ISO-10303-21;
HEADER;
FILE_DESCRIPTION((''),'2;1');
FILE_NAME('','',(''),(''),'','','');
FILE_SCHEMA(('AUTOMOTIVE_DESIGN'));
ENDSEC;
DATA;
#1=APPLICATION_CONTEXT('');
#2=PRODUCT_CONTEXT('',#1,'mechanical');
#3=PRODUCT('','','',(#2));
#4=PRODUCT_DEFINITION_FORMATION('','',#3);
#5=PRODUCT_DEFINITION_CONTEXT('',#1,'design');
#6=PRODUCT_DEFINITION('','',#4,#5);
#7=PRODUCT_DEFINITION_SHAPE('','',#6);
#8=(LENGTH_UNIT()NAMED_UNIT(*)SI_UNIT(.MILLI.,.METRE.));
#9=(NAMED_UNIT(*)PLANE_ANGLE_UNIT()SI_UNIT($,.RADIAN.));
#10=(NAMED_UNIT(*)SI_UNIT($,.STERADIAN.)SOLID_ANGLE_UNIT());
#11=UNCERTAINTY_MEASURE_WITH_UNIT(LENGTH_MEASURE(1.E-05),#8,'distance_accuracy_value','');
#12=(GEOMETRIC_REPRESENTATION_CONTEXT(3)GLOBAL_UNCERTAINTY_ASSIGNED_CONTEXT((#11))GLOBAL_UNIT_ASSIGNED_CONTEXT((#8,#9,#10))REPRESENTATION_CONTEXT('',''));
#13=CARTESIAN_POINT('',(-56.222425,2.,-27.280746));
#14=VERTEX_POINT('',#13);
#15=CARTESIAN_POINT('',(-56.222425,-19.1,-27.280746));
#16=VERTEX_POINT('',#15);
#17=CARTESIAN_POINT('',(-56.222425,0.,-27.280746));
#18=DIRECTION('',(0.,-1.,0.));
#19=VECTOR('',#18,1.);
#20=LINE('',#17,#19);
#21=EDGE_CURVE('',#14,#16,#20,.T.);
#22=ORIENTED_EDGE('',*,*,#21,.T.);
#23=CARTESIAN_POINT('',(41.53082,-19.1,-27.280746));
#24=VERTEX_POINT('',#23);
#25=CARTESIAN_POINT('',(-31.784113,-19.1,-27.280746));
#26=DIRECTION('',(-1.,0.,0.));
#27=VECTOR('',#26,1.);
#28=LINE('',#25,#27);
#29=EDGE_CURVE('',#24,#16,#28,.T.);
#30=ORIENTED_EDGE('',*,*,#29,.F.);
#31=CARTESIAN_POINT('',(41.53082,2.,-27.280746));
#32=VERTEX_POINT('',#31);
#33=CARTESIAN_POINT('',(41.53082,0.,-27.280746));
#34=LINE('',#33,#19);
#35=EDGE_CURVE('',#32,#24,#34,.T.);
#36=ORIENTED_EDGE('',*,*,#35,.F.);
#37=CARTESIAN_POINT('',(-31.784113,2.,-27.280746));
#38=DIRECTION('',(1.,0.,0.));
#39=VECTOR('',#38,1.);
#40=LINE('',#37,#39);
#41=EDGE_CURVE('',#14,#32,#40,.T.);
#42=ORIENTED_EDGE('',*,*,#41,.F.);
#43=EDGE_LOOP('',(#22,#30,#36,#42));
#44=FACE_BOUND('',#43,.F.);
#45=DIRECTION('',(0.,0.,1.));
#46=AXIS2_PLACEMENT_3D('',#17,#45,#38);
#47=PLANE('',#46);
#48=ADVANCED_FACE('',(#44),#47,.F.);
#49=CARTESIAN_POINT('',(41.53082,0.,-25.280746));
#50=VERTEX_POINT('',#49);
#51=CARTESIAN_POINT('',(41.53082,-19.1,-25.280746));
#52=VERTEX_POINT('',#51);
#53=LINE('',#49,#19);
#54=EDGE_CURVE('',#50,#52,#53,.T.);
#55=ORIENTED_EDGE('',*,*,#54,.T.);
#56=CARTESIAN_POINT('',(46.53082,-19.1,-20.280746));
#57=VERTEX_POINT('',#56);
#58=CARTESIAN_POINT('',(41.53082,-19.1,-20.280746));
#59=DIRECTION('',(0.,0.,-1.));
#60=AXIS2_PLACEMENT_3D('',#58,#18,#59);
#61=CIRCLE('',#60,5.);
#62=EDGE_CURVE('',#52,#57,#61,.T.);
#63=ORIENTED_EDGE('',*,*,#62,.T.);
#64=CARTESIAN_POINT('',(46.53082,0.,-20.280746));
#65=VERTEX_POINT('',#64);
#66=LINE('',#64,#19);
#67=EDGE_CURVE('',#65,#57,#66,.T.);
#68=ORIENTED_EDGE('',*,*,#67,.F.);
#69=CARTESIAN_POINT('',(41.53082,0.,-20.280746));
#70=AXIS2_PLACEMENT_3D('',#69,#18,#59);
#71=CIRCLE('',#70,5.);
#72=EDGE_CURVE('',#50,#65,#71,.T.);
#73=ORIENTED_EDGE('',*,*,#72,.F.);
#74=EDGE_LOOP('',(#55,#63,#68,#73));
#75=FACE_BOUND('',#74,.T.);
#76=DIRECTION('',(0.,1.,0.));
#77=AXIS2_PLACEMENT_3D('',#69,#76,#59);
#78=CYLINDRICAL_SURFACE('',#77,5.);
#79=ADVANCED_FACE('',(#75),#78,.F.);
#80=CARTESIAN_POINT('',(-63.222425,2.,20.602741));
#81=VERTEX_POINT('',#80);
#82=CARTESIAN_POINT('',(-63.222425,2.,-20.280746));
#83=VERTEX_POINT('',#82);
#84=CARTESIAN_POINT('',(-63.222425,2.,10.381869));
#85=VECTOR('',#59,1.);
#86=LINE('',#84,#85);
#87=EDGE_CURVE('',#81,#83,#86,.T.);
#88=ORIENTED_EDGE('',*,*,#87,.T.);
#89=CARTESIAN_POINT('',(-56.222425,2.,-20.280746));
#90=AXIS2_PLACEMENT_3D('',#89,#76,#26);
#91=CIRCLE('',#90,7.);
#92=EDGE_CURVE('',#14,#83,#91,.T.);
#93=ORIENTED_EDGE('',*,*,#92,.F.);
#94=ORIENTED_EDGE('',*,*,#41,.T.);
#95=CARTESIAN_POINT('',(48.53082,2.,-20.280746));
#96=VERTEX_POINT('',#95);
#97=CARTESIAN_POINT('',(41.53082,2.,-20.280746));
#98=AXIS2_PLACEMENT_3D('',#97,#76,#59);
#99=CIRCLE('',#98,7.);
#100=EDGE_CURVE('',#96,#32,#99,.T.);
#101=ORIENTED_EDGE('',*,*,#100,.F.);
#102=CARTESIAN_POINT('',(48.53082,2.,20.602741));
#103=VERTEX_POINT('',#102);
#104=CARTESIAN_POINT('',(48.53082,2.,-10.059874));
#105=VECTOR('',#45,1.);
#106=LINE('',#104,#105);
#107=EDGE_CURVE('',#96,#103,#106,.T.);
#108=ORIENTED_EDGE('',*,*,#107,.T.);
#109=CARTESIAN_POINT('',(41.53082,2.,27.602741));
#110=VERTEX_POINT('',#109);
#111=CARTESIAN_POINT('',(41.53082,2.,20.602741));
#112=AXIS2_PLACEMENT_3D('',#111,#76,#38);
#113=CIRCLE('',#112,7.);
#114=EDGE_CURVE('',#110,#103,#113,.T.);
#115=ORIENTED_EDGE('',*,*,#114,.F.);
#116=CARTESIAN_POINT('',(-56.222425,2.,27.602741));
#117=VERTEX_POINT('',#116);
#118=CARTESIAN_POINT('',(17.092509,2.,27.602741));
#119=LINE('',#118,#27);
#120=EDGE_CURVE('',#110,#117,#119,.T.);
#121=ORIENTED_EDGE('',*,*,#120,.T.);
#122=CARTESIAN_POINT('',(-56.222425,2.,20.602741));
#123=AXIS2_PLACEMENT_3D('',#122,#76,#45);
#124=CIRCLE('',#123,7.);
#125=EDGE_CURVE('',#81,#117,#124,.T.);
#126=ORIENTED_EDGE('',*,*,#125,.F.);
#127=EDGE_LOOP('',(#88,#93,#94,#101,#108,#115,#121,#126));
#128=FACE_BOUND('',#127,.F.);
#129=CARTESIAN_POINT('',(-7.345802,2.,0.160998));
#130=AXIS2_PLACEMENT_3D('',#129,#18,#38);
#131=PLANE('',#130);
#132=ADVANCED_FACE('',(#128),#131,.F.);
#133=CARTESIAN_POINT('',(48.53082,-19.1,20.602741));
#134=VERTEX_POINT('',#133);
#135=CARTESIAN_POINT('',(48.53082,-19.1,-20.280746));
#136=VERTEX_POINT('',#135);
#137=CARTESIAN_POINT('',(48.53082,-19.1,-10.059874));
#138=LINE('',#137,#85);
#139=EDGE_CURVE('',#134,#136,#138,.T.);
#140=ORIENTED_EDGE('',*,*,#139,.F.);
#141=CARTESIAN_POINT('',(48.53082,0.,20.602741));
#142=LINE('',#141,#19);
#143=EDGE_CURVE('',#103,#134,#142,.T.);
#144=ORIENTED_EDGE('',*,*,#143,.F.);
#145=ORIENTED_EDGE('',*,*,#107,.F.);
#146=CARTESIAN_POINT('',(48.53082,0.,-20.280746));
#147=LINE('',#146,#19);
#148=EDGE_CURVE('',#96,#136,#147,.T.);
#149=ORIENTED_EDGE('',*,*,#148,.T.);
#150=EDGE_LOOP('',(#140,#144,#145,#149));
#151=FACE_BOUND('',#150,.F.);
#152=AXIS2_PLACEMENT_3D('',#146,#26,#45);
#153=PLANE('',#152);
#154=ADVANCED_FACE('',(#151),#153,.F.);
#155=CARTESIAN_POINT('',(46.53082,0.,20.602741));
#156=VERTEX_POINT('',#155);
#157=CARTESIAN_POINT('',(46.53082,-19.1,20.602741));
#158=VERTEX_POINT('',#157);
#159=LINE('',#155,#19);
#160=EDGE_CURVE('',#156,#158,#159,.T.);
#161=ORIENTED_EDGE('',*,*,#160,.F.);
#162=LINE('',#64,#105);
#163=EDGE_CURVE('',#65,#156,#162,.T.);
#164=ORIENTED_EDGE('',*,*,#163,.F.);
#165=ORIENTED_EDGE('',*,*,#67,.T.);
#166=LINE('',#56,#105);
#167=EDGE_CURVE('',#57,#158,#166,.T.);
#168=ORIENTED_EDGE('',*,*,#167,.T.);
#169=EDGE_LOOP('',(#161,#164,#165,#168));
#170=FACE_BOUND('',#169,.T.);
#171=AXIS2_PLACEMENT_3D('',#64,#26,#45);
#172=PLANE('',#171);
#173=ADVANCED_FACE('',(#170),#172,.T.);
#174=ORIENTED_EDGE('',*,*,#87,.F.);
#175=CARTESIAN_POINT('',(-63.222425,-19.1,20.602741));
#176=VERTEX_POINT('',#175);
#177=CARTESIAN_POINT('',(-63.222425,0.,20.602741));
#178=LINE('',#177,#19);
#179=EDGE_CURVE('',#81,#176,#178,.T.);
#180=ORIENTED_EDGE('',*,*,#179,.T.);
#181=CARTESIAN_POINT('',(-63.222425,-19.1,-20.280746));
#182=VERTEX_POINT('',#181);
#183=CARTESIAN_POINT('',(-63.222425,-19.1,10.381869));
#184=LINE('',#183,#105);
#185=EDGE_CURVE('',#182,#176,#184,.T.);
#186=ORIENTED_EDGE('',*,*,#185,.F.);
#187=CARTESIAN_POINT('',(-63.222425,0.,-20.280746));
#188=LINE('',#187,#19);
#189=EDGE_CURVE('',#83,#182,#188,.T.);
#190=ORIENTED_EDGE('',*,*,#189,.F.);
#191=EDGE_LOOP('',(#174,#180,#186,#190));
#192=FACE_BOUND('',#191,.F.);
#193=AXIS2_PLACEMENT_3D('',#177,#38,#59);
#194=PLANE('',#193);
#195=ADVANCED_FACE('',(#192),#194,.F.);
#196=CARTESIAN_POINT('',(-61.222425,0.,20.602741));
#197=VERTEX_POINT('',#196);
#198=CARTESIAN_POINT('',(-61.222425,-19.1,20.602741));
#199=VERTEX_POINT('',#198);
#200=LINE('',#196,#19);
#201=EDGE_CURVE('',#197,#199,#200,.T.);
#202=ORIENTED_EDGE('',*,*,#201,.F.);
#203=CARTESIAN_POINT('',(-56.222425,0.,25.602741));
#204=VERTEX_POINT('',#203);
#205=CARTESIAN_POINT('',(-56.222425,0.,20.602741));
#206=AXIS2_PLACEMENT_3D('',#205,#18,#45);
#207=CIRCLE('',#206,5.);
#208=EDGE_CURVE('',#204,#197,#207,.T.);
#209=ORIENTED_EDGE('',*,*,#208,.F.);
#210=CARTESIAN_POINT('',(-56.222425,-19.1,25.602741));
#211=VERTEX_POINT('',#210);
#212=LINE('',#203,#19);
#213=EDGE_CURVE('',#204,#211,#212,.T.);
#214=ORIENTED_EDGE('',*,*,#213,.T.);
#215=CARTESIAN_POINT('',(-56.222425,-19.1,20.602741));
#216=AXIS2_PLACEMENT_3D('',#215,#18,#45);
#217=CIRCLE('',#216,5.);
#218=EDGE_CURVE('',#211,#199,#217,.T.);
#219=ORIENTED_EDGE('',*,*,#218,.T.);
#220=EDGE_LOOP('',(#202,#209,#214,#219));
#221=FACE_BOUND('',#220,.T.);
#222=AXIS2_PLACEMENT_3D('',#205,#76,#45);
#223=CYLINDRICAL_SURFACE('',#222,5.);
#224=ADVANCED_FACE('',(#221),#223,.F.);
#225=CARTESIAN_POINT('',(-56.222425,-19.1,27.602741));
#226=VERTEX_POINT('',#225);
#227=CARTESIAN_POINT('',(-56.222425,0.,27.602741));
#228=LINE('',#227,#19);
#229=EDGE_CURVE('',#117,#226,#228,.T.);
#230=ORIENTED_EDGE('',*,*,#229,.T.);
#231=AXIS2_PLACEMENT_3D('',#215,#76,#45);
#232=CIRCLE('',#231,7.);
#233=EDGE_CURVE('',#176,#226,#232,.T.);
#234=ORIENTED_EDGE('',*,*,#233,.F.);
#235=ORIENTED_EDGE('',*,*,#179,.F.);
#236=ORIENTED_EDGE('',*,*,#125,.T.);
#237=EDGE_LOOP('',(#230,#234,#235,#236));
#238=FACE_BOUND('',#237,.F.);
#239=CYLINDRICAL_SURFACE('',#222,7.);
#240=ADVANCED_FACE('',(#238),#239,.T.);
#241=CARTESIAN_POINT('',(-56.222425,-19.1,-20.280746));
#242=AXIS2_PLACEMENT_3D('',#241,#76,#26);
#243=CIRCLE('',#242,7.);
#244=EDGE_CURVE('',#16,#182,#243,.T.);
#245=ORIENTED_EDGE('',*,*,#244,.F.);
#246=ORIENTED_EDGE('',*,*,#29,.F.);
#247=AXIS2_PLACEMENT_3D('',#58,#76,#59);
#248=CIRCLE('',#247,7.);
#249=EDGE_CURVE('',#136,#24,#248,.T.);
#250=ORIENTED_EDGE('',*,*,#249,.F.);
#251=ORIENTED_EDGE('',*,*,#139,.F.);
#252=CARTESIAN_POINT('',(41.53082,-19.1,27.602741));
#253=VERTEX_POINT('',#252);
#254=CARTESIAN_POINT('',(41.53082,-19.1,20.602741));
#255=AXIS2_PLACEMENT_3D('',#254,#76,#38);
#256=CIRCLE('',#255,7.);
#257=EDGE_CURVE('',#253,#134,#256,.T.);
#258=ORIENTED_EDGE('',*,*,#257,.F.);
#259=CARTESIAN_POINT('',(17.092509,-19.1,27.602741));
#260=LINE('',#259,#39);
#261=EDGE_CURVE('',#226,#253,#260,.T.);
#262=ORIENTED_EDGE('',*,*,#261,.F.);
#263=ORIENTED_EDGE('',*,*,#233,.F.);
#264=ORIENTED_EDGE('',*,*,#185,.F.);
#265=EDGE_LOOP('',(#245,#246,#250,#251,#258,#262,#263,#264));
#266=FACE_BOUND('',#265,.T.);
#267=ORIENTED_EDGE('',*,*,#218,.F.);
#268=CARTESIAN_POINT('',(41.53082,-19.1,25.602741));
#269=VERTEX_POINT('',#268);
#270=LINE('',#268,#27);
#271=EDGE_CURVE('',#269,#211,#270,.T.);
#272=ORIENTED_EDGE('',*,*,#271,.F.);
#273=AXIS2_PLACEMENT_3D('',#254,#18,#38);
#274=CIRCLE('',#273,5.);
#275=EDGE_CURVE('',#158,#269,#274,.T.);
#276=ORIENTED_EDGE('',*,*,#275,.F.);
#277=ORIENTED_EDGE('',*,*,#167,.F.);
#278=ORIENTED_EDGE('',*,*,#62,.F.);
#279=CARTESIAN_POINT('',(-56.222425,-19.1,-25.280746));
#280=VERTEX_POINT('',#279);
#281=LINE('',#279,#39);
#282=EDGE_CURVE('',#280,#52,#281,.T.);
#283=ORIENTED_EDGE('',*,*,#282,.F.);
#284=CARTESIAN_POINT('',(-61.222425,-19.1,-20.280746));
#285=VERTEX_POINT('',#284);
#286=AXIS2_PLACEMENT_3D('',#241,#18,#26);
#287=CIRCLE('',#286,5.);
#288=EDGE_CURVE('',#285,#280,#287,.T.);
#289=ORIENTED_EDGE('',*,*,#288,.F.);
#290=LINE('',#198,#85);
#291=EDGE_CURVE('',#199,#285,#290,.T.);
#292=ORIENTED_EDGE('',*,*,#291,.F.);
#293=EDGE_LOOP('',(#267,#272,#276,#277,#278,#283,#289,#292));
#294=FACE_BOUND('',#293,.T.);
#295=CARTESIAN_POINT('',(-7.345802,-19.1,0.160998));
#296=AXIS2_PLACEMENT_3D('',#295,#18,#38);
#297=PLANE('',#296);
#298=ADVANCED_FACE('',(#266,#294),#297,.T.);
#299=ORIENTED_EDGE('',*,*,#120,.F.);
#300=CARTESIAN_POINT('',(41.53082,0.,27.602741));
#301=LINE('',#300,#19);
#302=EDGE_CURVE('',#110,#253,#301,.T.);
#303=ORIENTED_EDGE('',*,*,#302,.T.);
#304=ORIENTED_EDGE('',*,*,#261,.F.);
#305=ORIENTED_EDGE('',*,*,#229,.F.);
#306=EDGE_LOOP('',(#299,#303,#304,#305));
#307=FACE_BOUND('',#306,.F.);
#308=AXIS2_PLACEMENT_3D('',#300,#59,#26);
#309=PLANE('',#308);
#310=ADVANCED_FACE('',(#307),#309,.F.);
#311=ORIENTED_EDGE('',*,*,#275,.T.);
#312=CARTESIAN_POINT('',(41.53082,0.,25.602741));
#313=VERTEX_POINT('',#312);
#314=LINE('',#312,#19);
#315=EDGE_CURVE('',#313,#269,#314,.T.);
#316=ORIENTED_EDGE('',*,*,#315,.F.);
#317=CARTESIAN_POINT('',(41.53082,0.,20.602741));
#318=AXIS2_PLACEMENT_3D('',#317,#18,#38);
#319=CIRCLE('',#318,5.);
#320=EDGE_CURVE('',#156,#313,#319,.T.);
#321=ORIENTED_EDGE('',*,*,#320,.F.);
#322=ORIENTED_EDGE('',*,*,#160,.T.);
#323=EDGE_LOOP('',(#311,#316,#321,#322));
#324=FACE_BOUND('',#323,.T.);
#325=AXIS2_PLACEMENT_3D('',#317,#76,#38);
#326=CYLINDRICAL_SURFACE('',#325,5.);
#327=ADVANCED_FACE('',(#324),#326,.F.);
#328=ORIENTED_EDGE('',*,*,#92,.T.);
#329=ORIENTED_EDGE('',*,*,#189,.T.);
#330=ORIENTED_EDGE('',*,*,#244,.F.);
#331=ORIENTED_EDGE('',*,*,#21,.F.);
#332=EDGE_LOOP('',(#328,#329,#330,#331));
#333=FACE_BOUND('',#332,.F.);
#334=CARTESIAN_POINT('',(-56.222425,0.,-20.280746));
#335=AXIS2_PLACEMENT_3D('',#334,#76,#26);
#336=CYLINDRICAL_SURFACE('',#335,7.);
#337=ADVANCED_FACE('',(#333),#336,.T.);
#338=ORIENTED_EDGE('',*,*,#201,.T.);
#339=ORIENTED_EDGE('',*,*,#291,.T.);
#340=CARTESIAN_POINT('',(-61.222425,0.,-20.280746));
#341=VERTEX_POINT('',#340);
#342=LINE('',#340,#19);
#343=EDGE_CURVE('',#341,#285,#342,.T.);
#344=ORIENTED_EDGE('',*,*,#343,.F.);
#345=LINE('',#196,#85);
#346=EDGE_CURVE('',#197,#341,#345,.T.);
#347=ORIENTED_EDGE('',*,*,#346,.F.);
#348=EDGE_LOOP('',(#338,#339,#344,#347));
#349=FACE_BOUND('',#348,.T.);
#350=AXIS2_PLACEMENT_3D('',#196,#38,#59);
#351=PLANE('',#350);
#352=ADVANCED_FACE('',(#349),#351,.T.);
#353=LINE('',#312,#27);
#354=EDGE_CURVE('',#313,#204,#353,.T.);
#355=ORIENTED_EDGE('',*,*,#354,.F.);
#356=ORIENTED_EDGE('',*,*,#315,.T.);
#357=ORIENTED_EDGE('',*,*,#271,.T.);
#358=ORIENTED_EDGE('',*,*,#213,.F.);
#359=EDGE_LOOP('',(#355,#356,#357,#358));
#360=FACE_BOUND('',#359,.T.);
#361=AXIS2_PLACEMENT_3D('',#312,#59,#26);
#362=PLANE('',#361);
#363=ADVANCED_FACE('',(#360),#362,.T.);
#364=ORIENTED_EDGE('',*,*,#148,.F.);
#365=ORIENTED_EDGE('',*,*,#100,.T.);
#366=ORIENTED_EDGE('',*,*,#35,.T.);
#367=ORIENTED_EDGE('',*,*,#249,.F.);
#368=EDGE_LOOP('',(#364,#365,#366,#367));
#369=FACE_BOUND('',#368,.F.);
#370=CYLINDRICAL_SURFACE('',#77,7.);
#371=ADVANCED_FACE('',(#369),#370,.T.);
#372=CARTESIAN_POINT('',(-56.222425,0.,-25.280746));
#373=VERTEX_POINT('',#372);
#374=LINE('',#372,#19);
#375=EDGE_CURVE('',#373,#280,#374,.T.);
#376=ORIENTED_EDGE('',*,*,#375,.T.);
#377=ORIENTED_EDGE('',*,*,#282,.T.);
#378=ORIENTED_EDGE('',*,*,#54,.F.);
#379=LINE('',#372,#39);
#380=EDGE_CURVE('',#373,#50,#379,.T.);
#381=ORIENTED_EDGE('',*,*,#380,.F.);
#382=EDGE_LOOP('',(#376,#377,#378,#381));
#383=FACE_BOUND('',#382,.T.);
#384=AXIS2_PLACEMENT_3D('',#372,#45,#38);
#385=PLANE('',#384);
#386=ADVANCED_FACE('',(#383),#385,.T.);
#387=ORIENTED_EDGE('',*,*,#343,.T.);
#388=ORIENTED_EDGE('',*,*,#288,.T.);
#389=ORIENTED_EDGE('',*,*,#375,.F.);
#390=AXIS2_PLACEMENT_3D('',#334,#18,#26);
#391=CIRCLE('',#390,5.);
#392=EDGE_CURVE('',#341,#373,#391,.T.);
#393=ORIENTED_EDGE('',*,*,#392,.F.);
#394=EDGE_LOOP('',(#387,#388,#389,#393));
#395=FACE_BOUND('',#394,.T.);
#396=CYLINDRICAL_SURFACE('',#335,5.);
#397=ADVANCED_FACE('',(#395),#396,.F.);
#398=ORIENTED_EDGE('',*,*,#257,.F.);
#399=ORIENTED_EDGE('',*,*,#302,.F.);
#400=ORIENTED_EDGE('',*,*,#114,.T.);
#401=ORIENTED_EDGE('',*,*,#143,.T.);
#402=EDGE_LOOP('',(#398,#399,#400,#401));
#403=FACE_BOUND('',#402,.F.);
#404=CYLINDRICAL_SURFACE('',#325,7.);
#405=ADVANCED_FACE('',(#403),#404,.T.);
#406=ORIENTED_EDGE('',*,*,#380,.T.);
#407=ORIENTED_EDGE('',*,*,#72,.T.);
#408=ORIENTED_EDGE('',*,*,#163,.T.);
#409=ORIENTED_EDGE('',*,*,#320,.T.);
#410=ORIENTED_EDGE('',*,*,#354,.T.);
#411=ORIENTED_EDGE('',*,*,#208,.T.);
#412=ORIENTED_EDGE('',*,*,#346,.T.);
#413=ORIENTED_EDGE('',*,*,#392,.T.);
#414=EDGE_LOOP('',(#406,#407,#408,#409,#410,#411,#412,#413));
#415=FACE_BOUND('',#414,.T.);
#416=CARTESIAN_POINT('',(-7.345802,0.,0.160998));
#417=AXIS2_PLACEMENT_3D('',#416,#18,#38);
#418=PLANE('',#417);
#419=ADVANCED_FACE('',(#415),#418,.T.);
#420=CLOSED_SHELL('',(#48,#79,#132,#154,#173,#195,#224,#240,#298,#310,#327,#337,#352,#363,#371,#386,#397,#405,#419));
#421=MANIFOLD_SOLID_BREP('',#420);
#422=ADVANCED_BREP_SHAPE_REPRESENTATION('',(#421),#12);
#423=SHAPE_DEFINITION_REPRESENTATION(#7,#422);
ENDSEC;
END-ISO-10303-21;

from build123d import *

# Parameters (mm, degrees)
F1_DEPTH = 19.1
F2_T     = 2


with BuildPart() as f1:
    # F0 (on Front) → F1 (new body)
    with BuildSketch(Plane.XZ):
        with BuildLine():
            Line((41.5308204293, 25.6027411669), (-56.2224247307, 25.6027411669))
            ThreePointArc((-56.2224247307, 25.6027411669), (-59.7579586366, 24.1382750729), (-61.2224247307, 20.6027411669))
            Line((-61.2224247307, 20.6027411669), (-61.2224247307, -20.2807460784))
            ThreePointArc((-61.2224247307, -20.2807460784), (-59.7579586366, -23.8162799843), (-56.2224247307, -25.2807460784))
            Line((-56.2224247307, -25.2807460784), (41.5308204293, -25.2807460784))
            ThreePointArc((41.5308204293, -25.2807460784), (45.0663543353, -23.8162799843), (46.5308204293, -20.2807460784))
            Line((46.5308204293, -20.2807460784), (46.5308204293, 20.6027411669))
            ThreePointArc((46.5308204293, 20.6027411669), (45.0663543353, 24.1382750729), (41.5308204293, 25.6027411669))
        make_face()
    extrude(amount=F1_DEPTH)

    # F2
    f2_openings = [f1.faces().sort_by_distance(p)[0] for p in [
        (-7.345802, -19.1, 0.160998),
    ]]
    offset(amount=F2_T, openings=f2_openings, kind=Kind.INTERSECTION)


solid = f1.part
